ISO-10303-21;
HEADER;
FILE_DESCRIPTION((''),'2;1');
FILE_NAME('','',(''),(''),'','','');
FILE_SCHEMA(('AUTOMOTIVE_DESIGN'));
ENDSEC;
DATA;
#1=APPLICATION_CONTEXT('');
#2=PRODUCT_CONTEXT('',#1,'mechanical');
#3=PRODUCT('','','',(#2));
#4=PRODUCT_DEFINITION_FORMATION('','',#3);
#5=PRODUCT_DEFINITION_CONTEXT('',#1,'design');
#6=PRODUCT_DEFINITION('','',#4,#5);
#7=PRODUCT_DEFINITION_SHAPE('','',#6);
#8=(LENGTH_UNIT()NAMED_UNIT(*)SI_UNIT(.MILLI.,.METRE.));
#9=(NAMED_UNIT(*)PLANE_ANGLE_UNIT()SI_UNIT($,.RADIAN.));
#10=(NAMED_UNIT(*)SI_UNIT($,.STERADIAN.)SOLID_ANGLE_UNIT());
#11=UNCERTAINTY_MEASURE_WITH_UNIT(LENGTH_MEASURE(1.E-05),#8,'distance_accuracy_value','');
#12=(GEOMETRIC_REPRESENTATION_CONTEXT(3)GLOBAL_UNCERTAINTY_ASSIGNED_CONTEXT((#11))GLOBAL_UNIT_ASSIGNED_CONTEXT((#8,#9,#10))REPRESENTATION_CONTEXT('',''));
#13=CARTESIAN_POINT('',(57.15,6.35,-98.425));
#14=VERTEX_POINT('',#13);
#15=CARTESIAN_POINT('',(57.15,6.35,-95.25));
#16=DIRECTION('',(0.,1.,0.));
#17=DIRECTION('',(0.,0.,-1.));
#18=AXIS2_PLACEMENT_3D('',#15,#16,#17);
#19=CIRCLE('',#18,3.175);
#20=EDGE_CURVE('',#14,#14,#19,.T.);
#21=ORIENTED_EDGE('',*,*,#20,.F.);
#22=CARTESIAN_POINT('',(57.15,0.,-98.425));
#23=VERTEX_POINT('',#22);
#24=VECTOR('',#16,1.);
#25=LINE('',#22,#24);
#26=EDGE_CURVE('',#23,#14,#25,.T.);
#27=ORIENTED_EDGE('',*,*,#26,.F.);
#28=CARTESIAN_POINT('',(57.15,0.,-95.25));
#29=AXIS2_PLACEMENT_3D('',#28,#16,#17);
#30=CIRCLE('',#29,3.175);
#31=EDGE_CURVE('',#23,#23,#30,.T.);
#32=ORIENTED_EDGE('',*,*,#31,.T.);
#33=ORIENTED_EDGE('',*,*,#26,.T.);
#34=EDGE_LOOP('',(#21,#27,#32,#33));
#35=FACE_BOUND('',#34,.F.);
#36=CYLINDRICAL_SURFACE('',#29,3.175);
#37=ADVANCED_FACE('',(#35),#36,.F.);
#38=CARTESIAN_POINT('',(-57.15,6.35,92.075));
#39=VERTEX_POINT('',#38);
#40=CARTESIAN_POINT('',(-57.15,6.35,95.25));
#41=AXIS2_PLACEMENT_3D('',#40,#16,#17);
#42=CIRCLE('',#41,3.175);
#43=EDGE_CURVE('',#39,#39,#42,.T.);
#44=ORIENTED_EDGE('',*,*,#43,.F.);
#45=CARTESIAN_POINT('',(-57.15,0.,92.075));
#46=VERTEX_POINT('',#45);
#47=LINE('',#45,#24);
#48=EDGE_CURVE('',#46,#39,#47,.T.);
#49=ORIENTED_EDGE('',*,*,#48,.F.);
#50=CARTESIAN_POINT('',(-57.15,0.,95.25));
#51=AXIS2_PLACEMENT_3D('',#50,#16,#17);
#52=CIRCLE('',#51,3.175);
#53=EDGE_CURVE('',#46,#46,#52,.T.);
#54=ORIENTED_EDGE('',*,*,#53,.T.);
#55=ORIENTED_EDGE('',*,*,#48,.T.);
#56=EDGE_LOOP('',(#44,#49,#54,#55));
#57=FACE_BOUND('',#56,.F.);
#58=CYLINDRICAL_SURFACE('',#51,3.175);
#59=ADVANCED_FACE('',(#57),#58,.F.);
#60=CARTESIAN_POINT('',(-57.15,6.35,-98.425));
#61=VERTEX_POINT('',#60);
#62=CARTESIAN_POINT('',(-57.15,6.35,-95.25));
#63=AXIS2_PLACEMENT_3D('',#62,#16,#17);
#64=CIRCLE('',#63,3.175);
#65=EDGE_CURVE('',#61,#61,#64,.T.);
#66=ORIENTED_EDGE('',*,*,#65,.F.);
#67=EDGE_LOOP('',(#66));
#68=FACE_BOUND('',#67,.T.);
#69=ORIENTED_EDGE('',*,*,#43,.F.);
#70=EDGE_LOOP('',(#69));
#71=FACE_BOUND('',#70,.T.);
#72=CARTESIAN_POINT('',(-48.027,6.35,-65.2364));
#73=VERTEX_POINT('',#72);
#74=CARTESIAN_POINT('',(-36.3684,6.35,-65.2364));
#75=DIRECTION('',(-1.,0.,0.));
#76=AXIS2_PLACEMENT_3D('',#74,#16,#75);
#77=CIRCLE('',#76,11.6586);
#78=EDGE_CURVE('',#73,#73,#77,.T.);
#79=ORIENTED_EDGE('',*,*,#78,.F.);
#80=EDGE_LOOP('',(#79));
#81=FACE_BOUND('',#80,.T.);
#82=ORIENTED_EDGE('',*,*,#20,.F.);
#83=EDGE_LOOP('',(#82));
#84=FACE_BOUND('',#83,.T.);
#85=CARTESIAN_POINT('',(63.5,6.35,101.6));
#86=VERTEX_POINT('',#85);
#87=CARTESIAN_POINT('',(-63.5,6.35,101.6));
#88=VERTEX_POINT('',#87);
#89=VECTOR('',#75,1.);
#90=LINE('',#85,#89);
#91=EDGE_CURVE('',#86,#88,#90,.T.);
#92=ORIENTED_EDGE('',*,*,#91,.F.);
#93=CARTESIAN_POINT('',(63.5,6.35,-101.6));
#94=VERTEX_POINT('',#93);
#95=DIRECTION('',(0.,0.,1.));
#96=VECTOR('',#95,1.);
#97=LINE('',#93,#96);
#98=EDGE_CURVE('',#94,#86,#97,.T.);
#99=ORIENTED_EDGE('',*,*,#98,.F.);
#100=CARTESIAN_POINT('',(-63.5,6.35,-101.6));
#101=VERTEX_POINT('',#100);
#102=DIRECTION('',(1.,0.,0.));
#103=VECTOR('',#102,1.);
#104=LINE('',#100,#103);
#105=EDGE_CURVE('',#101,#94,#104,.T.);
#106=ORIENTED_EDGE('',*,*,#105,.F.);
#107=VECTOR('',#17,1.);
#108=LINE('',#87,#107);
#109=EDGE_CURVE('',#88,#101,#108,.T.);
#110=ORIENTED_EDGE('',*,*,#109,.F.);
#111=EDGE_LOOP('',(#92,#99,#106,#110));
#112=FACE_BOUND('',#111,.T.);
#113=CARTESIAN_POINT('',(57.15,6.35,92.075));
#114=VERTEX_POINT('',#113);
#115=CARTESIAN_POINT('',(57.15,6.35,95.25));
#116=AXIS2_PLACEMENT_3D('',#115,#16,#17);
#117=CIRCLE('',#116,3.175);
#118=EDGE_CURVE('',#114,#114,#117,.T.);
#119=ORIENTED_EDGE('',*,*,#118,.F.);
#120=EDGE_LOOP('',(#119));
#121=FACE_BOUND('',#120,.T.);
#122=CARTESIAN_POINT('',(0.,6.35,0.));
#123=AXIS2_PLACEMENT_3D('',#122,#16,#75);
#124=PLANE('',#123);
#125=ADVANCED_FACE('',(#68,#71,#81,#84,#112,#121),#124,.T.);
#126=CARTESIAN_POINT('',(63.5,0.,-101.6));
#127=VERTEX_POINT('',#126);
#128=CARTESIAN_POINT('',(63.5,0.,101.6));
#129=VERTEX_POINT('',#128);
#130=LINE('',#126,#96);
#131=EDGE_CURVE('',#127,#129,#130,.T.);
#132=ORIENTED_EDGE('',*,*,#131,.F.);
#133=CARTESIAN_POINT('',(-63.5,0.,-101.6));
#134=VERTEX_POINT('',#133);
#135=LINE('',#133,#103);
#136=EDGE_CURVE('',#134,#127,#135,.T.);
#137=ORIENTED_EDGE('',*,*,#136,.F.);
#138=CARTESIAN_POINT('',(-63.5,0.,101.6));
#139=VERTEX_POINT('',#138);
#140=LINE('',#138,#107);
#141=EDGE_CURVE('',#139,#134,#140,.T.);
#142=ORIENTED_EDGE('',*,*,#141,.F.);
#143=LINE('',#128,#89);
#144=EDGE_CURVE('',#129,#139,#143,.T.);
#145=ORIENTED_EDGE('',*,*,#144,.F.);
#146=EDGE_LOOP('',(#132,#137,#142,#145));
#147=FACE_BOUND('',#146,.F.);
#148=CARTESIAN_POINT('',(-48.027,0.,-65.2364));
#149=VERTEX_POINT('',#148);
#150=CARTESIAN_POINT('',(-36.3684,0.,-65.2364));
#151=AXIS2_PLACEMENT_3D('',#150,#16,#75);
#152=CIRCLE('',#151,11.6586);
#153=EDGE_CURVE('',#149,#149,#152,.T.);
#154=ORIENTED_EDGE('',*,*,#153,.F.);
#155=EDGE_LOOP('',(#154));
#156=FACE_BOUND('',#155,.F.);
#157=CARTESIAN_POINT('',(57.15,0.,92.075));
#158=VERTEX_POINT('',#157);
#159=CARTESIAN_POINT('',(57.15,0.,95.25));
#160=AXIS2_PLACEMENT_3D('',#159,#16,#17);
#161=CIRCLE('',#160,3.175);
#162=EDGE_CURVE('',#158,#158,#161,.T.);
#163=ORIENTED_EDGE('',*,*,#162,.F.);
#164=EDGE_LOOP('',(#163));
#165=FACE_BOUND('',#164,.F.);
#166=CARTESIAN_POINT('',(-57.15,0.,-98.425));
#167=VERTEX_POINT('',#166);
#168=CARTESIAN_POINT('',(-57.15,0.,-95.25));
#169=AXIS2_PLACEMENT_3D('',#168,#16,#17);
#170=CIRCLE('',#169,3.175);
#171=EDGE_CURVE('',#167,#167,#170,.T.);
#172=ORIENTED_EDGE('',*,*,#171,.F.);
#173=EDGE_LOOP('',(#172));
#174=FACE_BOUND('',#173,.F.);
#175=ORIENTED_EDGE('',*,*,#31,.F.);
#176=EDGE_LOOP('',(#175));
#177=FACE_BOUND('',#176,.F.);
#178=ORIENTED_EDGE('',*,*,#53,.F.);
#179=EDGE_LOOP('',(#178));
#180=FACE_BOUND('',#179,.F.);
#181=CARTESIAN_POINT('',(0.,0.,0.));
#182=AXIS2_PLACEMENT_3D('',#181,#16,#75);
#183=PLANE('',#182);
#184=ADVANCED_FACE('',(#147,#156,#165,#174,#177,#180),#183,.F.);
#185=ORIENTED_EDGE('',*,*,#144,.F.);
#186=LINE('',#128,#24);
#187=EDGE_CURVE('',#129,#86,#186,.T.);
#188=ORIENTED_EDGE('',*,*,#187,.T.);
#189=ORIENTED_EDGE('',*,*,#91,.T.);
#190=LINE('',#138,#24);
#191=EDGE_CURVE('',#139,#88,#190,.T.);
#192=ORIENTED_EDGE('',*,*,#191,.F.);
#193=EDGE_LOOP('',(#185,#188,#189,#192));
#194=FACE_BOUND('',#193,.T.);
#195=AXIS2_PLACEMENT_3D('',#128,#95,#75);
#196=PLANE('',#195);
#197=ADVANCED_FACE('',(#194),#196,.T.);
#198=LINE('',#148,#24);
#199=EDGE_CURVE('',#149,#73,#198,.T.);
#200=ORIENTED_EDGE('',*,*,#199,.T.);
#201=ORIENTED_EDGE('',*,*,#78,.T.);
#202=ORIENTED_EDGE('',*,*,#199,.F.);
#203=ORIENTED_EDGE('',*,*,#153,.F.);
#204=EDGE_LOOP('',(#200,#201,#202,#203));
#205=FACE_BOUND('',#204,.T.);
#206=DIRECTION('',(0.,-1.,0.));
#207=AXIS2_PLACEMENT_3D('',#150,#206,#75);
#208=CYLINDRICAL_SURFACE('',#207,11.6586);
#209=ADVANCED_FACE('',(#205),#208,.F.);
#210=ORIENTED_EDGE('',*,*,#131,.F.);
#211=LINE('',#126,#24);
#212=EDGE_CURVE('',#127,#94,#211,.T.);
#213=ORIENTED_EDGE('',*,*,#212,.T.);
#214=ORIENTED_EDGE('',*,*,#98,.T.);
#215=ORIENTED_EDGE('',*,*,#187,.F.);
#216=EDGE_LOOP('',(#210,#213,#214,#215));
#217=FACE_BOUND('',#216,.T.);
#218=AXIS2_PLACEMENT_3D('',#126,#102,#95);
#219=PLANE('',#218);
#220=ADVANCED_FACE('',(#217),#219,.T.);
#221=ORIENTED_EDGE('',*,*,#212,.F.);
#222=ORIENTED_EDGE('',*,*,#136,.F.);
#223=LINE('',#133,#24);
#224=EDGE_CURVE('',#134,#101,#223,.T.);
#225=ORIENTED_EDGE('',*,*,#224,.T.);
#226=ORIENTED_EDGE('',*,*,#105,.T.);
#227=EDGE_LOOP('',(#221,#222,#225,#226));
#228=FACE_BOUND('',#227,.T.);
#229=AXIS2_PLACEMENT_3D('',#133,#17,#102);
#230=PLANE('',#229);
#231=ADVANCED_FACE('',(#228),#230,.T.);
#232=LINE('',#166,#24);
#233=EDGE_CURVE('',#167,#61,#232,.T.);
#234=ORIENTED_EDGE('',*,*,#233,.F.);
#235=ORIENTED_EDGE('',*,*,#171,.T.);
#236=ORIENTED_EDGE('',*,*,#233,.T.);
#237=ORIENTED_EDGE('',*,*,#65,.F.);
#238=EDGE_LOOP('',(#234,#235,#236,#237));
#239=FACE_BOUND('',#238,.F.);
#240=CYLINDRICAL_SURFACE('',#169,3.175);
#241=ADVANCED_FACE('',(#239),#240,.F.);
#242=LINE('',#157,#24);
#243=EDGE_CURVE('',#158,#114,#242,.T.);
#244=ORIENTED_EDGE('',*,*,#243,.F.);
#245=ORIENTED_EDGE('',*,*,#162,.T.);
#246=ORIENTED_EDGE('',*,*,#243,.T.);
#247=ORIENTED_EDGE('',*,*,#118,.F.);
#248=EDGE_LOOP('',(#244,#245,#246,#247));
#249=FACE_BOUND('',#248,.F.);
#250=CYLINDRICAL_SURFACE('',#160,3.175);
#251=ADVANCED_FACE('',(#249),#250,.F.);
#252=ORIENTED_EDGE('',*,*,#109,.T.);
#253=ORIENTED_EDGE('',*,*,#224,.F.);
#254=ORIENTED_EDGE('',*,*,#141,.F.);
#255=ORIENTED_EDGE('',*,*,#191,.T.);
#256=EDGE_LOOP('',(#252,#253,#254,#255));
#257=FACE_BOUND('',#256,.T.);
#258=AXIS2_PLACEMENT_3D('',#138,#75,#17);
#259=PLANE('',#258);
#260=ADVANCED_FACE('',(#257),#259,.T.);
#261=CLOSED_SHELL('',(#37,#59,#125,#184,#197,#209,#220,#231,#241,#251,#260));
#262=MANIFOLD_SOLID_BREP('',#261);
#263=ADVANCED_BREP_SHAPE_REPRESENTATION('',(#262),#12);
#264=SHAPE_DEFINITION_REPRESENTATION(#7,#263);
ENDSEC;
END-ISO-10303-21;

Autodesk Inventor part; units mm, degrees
ref_plane "YZ Plane" through (0, 0, 0) normal (1, 0, 0) x (0, 1, 0)
ref_plane "XZ Plane" through (0, 0, 0) normal (0, 1, 0) x (-1, 0, 0)
ref_plane "XY Plane" through (0, 0, 0) normal (0, 0, 1) x (1, 0, 0)
sketch "Sketch1" plane through (0, 0, 0) normal (0, 1, 0) x (-1, 0, 0)
  line L0 (63.5, -101.6) -> (-63.5, -101.6)
  line L1 (-63.5, -101.6) -> (-63.5, 101.6)
  line L2 (-63.5, 101.6) -> (63.5, 101.6)
  line L3 (63.5, 101.6) -> (63.5, -101.6)
  line L4 (63.5, -101.6) -> (-63.5, 101.6) construction
  line L5 (-63.5, -101.6) -> (63.5, 101.6) construction
  circle A0 centre (36.3684, -65.2364) radius 11.6586
  line L6 (57.15, 95.25) -> (-57.15, 95.25)
  line L7 (-57.15, 95.25) -> (-57.15, -95.25)
  line L8 (-57.15, -95.25) -> (57.15, -95.25)
  line L9 (57.15, -95.25) -> (57.15, 95.25)
  line L10 (57.15, 95.25) -> (-57.15, -95.25) construction
  line L11 (-57.15, 95.25) -> (57.15, -95.25) construction
  point P0 (0, 0)
  dimension "d0" = 127
  dimension "d1" = 203.2
  dimension "d4" = 23.3172
  dimension "d7" = 114.3
  dimension "d8" = 190.5
extrude "Extrusion2" add sketch "Sketch1" along normal blind 6.35 contours L0 L1 L2 L3 | L9 L8 L7 L6
hole "Hole1" at (57.15, 0, -95.25) at (-57.15, 0, -95.25) at (-57.15, 0, 95.25) at (57.15, 0, 95.25) direction (0, 1, 0) diameter 6.35 end through all
properties part number "eboardpartisland"
